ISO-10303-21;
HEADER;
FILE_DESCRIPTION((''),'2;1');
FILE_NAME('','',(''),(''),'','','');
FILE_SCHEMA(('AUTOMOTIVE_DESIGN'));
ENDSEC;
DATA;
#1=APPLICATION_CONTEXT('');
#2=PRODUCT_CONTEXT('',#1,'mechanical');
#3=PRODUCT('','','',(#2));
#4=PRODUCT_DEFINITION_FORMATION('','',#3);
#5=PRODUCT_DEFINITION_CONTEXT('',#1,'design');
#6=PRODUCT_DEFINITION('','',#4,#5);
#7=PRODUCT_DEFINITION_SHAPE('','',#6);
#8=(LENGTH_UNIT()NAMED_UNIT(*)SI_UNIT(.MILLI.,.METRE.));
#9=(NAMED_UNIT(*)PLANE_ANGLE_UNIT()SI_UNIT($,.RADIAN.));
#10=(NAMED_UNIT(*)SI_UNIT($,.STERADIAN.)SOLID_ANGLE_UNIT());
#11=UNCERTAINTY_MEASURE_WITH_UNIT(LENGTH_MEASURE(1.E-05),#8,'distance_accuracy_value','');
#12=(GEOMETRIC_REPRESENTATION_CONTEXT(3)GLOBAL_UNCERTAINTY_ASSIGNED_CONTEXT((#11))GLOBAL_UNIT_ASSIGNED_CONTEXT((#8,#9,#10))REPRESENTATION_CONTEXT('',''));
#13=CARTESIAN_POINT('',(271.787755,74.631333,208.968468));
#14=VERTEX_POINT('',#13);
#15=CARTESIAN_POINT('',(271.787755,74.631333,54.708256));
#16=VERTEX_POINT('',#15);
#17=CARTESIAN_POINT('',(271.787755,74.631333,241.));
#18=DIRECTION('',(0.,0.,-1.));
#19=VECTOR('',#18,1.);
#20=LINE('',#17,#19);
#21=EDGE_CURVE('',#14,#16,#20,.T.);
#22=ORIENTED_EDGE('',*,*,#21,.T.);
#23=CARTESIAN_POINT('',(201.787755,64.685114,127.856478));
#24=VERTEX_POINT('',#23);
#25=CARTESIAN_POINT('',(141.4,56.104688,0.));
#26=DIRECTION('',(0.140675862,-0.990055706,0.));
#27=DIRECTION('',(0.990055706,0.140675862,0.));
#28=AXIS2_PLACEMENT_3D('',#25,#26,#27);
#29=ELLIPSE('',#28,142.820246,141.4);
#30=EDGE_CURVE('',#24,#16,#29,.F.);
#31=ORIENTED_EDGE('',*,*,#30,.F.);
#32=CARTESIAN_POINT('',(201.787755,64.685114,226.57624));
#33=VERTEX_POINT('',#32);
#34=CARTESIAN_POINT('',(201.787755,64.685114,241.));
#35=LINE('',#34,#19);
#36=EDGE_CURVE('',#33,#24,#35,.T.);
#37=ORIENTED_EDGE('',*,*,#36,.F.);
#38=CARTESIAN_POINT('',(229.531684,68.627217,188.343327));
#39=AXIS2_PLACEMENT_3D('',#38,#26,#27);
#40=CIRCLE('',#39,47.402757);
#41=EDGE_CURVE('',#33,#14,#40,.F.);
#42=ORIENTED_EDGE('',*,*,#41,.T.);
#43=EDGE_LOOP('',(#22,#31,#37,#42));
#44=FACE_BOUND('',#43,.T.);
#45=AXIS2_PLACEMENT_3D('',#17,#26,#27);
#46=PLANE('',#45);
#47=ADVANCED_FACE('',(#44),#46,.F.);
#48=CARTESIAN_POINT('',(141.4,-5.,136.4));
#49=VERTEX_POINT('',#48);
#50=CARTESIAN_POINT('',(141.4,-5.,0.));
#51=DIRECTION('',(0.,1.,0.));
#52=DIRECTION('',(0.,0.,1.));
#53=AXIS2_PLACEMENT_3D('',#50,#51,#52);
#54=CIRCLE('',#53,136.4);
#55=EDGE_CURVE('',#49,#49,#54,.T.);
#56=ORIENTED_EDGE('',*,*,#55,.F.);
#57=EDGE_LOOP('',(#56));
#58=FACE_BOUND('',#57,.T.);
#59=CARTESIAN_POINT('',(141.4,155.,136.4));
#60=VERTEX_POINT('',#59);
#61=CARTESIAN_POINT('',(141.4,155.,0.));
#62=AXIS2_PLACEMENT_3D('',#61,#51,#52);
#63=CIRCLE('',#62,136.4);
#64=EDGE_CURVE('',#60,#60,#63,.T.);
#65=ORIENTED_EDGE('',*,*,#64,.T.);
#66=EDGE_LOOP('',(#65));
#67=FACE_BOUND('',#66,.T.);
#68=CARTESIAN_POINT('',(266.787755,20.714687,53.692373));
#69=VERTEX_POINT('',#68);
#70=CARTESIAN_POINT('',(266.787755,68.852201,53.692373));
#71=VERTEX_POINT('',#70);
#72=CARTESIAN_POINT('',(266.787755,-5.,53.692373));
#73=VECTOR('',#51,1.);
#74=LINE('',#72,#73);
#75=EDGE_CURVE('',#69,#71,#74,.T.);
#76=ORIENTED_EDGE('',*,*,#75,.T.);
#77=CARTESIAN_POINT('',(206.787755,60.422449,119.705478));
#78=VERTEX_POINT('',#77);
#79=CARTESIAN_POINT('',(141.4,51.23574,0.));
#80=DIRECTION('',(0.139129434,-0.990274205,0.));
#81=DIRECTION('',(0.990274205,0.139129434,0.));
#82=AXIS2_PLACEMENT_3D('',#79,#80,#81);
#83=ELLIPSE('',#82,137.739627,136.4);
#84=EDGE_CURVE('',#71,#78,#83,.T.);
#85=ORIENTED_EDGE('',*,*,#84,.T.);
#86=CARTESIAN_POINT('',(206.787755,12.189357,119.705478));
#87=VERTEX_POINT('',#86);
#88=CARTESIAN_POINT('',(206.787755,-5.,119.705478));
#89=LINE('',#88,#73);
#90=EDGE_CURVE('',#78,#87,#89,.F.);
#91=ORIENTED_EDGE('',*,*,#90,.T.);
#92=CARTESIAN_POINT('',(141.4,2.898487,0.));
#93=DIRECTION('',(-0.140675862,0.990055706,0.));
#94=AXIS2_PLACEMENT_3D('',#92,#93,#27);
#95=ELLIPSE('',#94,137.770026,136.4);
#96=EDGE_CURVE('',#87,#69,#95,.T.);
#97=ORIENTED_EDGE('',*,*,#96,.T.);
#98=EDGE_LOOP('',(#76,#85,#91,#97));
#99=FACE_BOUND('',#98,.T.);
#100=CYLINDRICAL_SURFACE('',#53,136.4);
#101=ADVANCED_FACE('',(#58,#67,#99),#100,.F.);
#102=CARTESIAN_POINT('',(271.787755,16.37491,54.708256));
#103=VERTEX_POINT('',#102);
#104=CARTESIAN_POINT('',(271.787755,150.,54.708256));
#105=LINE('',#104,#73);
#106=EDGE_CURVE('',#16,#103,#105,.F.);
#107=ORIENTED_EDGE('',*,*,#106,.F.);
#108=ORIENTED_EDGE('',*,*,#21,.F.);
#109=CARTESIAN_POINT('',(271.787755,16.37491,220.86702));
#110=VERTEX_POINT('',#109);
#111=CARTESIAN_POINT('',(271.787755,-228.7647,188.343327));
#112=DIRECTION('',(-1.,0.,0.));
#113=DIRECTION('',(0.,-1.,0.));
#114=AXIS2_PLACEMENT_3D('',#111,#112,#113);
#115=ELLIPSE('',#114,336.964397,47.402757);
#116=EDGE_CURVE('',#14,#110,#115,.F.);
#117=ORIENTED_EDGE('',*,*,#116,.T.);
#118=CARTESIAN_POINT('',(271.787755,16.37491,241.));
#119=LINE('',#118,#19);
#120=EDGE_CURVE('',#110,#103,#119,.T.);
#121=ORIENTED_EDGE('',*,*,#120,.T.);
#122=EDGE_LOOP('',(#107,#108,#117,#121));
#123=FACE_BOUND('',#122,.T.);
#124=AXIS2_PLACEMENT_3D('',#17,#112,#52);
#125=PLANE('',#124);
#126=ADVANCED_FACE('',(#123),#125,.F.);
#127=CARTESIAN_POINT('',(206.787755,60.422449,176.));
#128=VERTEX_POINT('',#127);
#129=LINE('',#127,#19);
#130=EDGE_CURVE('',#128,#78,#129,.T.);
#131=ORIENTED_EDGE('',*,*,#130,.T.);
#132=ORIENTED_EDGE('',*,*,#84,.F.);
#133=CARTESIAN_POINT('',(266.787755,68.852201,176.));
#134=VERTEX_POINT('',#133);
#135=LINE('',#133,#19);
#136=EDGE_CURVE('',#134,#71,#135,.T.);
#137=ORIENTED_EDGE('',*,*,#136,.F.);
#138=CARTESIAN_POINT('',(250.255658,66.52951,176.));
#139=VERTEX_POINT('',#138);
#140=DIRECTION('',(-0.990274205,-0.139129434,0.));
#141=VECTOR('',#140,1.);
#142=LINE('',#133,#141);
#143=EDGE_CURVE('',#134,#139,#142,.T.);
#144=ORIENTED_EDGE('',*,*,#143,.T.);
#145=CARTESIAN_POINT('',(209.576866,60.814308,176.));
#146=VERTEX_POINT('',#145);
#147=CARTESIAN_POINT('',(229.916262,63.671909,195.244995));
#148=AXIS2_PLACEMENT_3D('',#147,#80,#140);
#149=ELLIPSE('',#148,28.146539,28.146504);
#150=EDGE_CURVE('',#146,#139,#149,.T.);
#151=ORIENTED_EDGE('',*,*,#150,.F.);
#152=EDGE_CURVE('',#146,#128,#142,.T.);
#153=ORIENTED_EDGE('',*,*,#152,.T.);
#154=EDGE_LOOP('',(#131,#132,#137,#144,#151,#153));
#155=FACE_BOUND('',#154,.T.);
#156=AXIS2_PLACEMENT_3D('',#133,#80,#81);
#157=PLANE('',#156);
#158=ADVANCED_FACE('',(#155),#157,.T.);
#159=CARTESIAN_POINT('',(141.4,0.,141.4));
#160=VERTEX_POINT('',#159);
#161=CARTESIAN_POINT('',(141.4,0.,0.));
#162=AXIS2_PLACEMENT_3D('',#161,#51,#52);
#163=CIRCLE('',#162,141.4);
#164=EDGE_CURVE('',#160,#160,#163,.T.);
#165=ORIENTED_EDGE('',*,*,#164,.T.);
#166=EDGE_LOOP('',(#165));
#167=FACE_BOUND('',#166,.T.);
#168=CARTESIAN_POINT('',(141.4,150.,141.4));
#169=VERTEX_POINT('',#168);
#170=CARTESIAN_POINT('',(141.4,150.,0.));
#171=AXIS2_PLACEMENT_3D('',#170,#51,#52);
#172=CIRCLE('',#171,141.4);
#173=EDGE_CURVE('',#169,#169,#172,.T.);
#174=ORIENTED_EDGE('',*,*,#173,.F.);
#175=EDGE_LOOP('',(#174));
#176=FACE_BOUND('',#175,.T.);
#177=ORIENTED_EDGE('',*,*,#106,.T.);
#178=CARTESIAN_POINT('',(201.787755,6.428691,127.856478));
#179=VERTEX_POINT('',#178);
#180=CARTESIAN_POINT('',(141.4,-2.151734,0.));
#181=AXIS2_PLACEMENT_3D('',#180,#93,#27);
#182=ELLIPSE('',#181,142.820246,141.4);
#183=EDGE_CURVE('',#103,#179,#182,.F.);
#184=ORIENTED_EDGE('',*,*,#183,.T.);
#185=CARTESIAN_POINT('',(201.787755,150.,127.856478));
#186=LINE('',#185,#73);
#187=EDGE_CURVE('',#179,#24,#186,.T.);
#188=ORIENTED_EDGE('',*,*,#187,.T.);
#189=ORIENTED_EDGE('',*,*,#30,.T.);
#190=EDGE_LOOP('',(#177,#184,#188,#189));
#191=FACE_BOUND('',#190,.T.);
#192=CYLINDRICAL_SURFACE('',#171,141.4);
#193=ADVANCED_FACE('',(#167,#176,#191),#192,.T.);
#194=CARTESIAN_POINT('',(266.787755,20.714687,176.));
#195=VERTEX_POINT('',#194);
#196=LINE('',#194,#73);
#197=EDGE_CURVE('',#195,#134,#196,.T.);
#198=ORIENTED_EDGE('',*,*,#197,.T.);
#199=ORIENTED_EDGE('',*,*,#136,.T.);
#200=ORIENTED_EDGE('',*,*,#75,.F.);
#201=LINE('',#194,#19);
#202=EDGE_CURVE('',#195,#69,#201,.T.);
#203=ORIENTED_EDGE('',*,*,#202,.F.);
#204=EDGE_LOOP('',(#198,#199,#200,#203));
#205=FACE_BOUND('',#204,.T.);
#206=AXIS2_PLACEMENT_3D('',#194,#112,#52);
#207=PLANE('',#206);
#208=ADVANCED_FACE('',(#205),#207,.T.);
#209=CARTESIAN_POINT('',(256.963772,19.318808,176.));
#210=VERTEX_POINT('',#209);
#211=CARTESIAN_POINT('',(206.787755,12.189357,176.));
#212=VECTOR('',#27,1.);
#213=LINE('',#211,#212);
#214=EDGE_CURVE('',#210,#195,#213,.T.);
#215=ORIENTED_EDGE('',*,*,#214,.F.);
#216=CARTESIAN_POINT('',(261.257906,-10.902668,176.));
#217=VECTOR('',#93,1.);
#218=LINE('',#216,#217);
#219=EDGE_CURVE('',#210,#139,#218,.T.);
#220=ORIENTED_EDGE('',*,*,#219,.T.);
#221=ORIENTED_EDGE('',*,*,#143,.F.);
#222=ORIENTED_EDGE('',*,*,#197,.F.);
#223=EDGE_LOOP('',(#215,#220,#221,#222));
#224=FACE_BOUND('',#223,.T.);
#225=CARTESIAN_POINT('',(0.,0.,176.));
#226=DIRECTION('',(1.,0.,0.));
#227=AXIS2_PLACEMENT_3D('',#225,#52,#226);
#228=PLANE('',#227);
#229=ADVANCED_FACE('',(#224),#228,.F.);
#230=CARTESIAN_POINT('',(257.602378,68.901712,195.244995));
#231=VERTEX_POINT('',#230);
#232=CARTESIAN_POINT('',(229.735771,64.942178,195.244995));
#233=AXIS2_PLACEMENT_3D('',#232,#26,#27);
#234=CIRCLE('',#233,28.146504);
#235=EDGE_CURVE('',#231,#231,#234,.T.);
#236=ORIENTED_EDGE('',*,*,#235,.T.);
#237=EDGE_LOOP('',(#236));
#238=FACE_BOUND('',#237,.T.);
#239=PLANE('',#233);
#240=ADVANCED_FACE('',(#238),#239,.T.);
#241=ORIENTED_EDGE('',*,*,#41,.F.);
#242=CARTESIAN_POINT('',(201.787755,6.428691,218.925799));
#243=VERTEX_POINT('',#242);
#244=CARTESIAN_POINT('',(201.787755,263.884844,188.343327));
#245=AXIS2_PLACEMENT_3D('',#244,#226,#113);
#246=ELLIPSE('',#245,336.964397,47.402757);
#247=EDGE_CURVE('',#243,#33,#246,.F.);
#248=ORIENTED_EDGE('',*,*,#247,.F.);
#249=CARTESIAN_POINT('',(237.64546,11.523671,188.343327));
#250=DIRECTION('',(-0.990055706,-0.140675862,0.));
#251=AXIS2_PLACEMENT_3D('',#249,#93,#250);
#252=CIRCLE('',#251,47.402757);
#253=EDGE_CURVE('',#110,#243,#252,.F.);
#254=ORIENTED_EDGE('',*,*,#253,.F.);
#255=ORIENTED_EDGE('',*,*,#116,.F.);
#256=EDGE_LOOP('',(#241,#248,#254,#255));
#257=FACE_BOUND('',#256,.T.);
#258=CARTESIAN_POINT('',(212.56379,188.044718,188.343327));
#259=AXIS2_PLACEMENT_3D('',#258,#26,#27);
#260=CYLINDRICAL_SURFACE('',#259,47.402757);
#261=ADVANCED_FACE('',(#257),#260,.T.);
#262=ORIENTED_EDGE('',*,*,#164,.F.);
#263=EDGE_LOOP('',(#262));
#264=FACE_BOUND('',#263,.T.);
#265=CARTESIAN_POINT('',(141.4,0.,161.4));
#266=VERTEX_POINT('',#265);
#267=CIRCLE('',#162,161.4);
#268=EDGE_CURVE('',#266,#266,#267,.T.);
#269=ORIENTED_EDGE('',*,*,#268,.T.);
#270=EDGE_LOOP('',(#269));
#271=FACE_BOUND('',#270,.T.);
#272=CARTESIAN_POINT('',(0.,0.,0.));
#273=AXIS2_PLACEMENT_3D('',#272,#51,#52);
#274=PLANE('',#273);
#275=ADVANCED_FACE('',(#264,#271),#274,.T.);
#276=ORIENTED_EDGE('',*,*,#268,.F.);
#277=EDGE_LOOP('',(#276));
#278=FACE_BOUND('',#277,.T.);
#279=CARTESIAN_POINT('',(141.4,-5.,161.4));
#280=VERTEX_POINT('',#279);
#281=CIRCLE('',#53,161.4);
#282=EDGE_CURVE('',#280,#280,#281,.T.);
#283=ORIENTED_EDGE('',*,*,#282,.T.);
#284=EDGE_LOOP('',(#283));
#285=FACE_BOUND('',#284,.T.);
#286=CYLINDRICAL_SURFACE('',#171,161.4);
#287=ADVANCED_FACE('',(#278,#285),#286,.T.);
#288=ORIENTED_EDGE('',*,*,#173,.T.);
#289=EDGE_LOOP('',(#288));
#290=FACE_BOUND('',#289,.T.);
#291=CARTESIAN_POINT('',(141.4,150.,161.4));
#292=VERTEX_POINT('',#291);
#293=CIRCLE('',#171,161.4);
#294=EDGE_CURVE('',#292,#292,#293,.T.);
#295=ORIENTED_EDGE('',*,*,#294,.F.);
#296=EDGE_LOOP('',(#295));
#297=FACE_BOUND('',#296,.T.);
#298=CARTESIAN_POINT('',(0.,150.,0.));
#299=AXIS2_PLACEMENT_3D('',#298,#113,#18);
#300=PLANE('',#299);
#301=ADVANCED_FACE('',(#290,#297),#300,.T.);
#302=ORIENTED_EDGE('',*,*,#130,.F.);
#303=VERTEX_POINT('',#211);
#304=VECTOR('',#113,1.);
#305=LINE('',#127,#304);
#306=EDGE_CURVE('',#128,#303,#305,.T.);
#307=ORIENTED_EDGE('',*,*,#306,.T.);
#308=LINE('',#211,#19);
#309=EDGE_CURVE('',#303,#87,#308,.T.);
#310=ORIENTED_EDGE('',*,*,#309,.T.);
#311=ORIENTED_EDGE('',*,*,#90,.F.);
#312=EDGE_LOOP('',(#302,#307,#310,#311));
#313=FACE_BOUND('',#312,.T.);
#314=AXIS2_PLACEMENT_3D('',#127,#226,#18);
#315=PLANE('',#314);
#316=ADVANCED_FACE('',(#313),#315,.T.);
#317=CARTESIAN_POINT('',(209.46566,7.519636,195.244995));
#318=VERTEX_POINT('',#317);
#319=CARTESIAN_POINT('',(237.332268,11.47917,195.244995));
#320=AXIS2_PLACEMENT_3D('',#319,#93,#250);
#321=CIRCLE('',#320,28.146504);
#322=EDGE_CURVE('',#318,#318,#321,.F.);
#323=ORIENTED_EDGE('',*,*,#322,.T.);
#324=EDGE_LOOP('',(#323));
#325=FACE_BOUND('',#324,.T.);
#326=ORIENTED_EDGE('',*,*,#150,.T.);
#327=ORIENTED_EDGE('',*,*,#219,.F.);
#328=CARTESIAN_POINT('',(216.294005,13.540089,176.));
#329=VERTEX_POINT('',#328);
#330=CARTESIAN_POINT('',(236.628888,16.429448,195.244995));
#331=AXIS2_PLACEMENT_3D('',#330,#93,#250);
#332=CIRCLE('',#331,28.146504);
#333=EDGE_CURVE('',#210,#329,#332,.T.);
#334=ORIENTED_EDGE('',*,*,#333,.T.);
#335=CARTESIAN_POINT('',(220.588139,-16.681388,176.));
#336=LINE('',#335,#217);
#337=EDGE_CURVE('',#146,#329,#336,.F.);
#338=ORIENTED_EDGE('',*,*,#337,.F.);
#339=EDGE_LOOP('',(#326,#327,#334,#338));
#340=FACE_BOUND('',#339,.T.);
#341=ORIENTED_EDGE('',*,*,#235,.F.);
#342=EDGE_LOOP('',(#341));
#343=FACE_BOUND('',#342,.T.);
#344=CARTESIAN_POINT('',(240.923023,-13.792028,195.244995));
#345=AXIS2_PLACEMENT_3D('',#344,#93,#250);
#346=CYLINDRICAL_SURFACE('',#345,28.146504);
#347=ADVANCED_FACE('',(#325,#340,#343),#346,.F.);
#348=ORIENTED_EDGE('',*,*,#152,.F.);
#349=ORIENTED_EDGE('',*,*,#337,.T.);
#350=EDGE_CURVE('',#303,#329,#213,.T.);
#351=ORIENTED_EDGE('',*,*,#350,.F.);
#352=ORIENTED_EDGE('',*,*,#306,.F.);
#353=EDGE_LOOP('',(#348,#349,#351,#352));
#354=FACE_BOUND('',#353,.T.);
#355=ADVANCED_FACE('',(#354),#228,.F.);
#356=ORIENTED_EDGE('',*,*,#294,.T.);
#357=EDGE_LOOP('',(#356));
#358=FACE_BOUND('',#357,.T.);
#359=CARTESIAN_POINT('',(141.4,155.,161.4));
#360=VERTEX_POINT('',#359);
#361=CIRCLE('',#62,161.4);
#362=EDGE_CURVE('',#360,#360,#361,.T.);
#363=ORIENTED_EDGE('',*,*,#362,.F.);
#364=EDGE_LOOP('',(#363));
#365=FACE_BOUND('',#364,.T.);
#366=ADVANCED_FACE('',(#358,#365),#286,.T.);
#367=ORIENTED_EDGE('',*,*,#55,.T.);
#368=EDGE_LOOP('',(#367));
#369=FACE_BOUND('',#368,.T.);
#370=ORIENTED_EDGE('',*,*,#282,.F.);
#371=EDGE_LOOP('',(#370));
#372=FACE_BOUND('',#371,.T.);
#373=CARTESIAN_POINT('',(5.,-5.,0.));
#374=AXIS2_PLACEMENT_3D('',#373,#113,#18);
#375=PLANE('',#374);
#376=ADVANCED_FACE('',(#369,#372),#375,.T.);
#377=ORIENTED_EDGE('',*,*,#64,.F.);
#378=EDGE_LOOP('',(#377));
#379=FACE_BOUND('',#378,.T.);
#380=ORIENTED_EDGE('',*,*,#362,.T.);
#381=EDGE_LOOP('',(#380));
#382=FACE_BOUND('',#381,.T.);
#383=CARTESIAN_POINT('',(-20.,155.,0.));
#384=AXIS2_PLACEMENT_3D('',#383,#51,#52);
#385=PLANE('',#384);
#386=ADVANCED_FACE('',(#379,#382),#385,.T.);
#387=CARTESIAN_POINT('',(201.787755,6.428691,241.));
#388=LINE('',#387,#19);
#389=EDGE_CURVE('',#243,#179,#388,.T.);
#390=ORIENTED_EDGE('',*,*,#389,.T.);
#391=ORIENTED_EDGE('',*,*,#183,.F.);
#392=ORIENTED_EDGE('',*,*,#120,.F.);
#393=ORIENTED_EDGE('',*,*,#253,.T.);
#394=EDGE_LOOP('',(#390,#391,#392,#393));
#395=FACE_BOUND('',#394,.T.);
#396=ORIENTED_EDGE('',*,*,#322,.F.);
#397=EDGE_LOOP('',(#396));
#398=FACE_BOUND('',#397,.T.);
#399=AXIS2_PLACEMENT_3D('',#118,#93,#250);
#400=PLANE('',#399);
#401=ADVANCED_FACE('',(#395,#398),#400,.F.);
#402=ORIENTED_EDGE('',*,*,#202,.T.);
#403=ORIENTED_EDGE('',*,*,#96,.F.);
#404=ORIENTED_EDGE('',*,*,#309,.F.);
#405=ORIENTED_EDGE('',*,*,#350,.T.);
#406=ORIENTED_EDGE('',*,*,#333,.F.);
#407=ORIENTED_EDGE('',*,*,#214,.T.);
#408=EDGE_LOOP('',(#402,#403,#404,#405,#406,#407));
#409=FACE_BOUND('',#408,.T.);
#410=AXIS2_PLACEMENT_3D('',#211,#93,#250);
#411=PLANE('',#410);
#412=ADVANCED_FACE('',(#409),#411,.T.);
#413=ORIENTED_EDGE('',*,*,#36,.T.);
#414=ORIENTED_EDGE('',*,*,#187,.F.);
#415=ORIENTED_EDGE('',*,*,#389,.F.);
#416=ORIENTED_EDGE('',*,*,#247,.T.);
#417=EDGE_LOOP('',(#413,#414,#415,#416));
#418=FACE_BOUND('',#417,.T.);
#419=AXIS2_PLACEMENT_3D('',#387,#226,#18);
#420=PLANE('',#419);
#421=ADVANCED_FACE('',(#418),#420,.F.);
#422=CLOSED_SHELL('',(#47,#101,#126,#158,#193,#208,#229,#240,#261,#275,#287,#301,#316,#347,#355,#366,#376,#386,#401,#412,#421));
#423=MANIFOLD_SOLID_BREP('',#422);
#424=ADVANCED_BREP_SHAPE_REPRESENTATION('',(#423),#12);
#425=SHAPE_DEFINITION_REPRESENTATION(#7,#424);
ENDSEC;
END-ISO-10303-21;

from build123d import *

# Parameters (mm, degrees)
BOSS_EXTRUDE2_DEPTH     = 101
CUT_EXTRUDE3_DEPTH      = 427.519947779
CUT_EXTRUDE3_DEPTH_BACK = 427.519947779
CUT_EXTRUDE4_DEPTH      = 424.573467382
CUT_EXTRUDE4_DEPTH_BACK = 64
SKETCH5_R               = 28.146504222
CUT_EXTRUDE7_DEPTH      = 36
CUT_EXTRUDE7_DEPTH_BACK = 113
CUT_EXTRUDE8_DEPTH      = 414.870820929
CUT_EXTRUDE8_DEPTH_BACK = 414.870820929
SKETCH8_R               = 136.4


with BuildPart() as part:
    # Sketch1 → Revolve1 (revolve)
    with BuildSketch(Plane.XY, mode=Mode.PRIVATE) as revolve1_sk:
        Polygon((0, 0), (-20, 0), (-20, -5), (5, -5), (141.4, -5), (141.4, 150), (141.4, 155), (-20, 155), (-20, 150), (0, 150), align=None)
    revolve(revolve1_sk.sketch.rotate(Axis((141.4, 150, 0), (0, -1, 0)), 270), axis=Axis((141.4, 150, 0), (0, -1, 0)))

    # Sketch3 → Boss-Extrude2 (add, symmetric)
    with BuildSketch(Plane.XY.offset(140)):
        Polygon((271.787755102, 74.631332533), (201.787755102, 64.685114046), (201.787755102, 6.428691477), (271.787755102, 16.374909964), align=None)
    extrude(amount=BOSS_EXTRUDE2_DEPTH, both=True)

    # Sketch4 → Cut-Extrude3 (cut, two sides: drawn at the far end of the back side and taken through both)
    with BuildSketch(Plane(origin=(4.504708933, -31.703468583, 0), x_dir=(-0.9900557063765247, -0.1406758624330439, 0), z_dir=(0.1406758624330439, -0.9900557063765248, 0)).offset(-CUT_EXTRUDE3_DEPTH_BACK)):
        with BuildLine():
            Line((-283.0966697, -198.98279485), (-292.524457183, -243.549272165))
            Line((-292.524457183, -243.549272165), (-246.6966359, -274.042125065))
            Line((-246.6966359, -274.042125065), (-190.71002304, -274.042125065))
            Line((-190.71002304, -274.042125065), (-190.71002304, -198.98279485))
            ThreePointArc((-190.71002304, -198.98279485), (-236.90334637, -235.746084626), (-283.0966697, -198.98279485))
        make_face()
    extrude(amount=CUT_EXTRUDE3_DEPTH + CUT_EXTRUDE3_DEPTH_BACK, mode=Mode.SUBTRACT)

    # Sketch5 → Cut-Extrude4 (cut, two sides: drawn at the far end of the back side and taken through both)
    with BuildSketch(Plane(origin=(4.504708933, -31.703468583, 0), x_dir=(-0.9900557063765247, -0.1406758624330439, 0), z_dir=(0.1406758624330439, -0.9900557063765248, 0)).offset(-CUT_EXTRUDE4_DEPTH_BACK)):
        with Locations((-236.587007924, -195.244994695)):
            Circle(SKETCH5_R)
    extrude(amount=CUT_EXTRUDE4_DEPTH + CUT_EXTRUDE4_DEPTH_BACK, mode=Mode.SUBTRACT)

    # Sketch6 → Cut-Extrude7 (cut, two sides: drawn at the far end of the back side and taken through both)
    with BuildSketch(Plane.XY.offset(140).offset(-CUT_EXTRUDE7_DEPTH_BACK)):
        Polygon((206.787755102, 60.42244898), (206.787755102, 12.189356534), (266.787755102, 20.714686666), (266.787755102, 68.852201046), align=None)
    extrude(amount=CUT_EXTRUDE7_DEPTH + CUT_EXTRUDE7_DEPTH_BACK, mode=Mode.SUBTRACT)

    # Sketch8 → Cut-Extrude8 (cut, two sides: drawn at the far end of the back side and taken through both)
    with BuildSketch(Plane(origin=(0, 0, 0), x_dir=(1, 0, 0), z_dir=(0, 1, 0)).offset(-CUT_EXTRUDE8_DEPTH_BACK)):
        with Locations(Location((141.4, 0, 0), (0, 0, 270))):
            Circle(SKETCH8_R)
    extrude(amount=CUT_EXTRUDE8_DEPTH + CUT_EXTRUDE8_DEPTH_BACK, mode=Mode.SUBTRACT)


solid = part.part
